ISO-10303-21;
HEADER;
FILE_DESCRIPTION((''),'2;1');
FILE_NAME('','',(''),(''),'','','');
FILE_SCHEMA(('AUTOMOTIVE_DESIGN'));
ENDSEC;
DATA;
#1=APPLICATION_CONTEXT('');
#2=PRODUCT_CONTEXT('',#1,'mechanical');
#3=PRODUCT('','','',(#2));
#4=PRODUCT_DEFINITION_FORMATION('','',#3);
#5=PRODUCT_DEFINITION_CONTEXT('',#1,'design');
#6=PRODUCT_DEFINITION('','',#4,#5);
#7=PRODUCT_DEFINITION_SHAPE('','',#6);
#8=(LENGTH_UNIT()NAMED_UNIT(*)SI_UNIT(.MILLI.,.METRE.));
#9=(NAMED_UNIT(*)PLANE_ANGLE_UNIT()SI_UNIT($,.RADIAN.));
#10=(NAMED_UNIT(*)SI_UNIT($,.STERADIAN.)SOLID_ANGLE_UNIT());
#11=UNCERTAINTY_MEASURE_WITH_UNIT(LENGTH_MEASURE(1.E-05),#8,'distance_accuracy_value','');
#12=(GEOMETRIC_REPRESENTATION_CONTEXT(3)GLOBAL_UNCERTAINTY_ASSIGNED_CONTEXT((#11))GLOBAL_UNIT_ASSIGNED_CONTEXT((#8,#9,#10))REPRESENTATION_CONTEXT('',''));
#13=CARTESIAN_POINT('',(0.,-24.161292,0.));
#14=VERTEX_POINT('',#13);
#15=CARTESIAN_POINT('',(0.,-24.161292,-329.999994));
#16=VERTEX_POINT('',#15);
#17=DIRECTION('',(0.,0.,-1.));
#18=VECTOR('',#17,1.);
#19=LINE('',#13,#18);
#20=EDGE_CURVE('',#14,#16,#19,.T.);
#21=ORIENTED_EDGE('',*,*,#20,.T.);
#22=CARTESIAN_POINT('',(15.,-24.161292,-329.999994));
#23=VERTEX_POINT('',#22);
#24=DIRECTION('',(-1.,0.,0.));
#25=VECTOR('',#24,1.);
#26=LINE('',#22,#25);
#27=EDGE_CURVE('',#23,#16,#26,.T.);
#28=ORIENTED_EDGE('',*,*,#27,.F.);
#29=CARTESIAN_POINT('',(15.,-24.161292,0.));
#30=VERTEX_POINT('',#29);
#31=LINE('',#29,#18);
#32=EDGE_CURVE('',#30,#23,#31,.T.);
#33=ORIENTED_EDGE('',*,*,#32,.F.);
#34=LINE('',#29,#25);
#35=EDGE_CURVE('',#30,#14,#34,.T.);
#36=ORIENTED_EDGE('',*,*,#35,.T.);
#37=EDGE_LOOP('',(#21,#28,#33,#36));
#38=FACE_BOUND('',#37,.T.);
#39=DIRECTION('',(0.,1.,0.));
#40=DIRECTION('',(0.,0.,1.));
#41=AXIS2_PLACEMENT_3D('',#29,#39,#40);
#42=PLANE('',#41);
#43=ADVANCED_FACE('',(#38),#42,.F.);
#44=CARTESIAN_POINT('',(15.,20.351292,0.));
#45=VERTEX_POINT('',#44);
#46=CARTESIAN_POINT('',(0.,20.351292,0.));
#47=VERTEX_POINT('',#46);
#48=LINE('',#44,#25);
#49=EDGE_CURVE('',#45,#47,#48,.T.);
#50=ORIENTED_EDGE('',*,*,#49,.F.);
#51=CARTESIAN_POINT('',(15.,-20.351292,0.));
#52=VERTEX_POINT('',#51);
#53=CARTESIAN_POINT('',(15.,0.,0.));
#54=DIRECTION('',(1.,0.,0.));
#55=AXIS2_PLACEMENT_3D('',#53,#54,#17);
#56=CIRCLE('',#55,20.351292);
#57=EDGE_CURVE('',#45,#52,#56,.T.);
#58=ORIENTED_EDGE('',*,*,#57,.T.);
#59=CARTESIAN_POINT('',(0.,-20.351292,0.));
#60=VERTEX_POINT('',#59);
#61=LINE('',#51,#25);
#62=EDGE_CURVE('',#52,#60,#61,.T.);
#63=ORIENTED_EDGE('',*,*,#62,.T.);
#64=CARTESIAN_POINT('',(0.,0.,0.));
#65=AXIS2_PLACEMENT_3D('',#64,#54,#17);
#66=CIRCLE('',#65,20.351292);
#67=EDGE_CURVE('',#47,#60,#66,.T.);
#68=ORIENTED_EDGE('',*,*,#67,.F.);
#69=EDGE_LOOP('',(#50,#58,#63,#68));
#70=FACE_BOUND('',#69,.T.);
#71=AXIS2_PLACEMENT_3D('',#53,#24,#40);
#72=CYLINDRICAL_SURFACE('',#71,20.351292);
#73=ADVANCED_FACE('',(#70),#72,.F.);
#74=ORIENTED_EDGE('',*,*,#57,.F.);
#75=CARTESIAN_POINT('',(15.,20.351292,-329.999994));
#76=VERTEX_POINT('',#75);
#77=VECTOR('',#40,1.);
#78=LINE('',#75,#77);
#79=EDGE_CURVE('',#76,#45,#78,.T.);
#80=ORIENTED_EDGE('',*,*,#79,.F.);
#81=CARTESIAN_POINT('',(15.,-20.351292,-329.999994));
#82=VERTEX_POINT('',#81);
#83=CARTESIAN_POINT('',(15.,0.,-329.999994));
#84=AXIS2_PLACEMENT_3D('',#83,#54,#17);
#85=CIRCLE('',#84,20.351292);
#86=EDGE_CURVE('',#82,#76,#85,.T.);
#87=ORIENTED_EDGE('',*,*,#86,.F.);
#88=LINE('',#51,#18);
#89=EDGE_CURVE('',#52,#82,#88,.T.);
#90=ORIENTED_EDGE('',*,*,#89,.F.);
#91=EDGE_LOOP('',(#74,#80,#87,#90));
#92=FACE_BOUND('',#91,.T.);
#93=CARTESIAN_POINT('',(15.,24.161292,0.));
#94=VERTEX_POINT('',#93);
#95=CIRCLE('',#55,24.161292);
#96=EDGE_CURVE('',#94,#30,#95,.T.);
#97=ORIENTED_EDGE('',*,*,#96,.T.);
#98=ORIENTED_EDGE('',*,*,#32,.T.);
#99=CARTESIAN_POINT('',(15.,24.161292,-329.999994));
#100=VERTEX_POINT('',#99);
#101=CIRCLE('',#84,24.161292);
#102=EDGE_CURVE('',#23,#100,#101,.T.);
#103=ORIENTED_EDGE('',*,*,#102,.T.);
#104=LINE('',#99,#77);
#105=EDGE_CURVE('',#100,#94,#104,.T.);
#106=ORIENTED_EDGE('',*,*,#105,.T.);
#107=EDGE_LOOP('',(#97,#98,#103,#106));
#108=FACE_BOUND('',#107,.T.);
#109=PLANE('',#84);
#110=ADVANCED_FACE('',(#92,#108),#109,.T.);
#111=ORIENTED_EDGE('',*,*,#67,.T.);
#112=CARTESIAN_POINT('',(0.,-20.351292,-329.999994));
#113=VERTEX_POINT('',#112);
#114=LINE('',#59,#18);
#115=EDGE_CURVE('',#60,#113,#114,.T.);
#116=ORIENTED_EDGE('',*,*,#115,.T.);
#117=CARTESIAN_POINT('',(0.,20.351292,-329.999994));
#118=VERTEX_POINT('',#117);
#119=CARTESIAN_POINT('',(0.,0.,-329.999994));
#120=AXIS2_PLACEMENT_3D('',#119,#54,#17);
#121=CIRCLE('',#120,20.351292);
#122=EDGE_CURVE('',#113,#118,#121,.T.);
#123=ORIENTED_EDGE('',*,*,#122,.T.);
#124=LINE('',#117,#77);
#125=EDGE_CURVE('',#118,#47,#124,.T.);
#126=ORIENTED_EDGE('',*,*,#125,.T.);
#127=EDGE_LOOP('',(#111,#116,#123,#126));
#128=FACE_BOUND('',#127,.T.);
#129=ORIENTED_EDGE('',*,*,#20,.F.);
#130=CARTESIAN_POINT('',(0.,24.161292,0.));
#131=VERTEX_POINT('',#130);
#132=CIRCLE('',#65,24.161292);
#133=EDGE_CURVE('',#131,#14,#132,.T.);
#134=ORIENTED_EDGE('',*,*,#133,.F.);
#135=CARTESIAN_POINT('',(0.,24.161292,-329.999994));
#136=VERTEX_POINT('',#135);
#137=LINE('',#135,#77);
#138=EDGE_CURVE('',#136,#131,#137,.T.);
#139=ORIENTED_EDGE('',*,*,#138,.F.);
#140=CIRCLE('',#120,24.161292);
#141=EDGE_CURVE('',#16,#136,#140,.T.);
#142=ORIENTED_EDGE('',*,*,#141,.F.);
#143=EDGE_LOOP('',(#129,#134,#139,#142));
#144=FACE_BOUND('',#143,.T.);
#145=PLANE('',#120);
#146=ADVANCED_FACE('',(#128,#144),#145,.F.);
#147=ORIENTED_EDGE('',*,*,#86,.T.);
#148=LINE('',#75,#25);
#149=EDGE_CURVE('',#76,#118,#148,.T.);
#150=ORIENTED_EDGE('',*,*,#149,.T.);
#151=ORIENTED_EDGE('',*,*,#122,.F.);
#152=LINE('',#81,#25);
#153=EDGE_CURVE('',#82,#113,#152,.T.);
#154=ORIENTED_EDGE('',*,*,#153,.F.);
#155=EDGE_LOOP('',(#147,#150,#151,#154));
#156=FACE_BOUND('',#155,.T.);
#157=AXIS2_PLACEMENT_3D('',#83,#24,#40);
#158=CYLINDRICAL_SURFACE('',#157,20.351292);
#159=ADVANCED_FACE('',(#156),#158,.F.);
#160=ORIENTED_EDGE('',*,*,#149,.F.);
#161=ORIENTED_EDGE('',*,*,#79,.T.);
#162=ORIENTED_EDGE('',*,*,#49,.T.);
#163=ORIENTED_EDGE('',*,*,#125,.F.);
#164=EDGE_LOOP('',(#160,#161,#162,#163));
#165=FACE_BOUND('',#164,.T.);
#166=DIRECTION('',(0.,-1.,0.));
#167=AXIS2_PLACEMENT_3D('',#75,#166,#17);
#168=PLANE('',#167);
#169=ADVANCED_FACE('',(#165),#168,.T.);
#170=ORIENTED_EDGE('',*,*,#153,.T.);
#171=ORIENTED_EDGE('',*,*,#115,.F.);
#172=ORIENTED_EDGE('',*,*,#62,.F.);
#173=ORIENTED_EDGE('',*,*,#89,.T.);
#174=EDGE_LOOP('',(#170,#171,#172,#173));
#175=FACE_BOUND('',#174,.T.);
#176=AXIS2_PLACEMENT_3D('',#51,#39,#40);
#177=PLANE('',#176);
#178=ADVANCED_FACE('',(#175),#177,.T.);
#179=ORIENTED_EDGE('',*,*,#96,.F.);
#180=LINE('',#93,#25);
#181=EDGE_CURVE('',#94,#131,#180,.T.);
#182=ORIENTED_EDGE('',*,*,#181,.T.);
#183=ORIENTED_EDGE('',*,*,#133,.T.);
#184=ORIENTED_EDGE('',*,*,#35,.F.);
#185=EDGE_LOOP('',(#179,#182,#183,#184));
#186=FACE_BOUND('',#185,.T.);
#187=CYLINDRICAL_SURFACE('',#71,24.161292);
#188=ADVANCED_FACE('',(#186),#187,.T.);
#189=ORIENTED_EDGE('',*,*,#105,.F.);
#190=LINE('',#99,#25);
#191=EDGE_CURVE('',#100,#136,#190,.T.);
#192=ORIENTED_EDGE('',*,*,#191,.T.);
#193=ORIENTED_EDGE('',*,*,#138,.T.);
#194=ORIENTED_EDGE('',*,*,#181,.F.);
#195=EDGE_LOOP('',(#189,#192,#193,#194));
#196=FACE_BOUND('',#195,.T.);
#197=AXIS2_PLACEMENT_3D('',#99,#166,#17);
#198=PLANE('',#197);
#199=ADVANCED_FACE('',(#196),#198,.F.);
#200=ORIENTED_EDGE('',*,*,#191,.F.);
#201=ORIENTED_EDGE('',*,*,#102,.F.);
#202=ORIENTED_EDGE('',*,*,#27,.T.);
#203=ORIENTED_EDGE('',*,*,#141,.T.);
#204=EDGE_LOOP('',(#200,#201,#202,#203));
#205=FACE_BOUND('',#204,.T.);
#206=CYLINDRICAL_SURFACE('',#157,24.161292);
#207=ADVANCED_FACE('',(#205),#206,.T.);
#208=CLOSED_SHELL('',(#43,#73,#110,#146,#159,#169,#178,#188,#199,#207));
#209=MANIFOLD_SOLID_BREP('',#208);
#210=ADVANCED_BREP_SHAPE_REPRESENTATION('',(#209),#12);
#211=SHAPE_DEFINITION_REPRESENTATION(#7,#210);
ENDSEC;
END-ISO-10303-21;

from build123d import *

# Parameters (mm, degrees)
BOSS_EXTRUDE1_DEPTH = 15


with BuildPart() as part:
    # Sketch1 → Boss-Extrude1 (new body)
    with BuildSketch(Plane(origin=(0, 0, 0), x_dir=(0, 0, -1), z_dir=(1, 0, 0))):
        with BuildLine():
            Line((329.999993796, 24.161291614), (0, 24.161291614))
            ThreePointArc((0, 24.161291614), (-24.161291614, 0), (0, -24.161291614))
            Line((0, -24.161291614), (329.999993796, -24.161291614))
            ThreePointArc((329.999993796, -24.161291614), (354.16128541, 0), (329.999993796, 24.161291614))
        make_face()
        with BuildLine():
            Line((329.999993796, 20.351291614), (0, 20.351291614))
            ThreePointArc((0, 20.351291614), (-20.351291614, 0), (0, -20.351291614))
            Line((0, -20.351291614), (329.999993796, -20.351291614))
            ThreePointArc((329.999993796, -20.351291614), (350.35128541, 0), (329.999993796, 20.351291614))
        make_face(mode=Mode.SUBTRACT)
    extrude(amount=BOSS_EXTRUDE1_DEPTH)


solid = part.part
